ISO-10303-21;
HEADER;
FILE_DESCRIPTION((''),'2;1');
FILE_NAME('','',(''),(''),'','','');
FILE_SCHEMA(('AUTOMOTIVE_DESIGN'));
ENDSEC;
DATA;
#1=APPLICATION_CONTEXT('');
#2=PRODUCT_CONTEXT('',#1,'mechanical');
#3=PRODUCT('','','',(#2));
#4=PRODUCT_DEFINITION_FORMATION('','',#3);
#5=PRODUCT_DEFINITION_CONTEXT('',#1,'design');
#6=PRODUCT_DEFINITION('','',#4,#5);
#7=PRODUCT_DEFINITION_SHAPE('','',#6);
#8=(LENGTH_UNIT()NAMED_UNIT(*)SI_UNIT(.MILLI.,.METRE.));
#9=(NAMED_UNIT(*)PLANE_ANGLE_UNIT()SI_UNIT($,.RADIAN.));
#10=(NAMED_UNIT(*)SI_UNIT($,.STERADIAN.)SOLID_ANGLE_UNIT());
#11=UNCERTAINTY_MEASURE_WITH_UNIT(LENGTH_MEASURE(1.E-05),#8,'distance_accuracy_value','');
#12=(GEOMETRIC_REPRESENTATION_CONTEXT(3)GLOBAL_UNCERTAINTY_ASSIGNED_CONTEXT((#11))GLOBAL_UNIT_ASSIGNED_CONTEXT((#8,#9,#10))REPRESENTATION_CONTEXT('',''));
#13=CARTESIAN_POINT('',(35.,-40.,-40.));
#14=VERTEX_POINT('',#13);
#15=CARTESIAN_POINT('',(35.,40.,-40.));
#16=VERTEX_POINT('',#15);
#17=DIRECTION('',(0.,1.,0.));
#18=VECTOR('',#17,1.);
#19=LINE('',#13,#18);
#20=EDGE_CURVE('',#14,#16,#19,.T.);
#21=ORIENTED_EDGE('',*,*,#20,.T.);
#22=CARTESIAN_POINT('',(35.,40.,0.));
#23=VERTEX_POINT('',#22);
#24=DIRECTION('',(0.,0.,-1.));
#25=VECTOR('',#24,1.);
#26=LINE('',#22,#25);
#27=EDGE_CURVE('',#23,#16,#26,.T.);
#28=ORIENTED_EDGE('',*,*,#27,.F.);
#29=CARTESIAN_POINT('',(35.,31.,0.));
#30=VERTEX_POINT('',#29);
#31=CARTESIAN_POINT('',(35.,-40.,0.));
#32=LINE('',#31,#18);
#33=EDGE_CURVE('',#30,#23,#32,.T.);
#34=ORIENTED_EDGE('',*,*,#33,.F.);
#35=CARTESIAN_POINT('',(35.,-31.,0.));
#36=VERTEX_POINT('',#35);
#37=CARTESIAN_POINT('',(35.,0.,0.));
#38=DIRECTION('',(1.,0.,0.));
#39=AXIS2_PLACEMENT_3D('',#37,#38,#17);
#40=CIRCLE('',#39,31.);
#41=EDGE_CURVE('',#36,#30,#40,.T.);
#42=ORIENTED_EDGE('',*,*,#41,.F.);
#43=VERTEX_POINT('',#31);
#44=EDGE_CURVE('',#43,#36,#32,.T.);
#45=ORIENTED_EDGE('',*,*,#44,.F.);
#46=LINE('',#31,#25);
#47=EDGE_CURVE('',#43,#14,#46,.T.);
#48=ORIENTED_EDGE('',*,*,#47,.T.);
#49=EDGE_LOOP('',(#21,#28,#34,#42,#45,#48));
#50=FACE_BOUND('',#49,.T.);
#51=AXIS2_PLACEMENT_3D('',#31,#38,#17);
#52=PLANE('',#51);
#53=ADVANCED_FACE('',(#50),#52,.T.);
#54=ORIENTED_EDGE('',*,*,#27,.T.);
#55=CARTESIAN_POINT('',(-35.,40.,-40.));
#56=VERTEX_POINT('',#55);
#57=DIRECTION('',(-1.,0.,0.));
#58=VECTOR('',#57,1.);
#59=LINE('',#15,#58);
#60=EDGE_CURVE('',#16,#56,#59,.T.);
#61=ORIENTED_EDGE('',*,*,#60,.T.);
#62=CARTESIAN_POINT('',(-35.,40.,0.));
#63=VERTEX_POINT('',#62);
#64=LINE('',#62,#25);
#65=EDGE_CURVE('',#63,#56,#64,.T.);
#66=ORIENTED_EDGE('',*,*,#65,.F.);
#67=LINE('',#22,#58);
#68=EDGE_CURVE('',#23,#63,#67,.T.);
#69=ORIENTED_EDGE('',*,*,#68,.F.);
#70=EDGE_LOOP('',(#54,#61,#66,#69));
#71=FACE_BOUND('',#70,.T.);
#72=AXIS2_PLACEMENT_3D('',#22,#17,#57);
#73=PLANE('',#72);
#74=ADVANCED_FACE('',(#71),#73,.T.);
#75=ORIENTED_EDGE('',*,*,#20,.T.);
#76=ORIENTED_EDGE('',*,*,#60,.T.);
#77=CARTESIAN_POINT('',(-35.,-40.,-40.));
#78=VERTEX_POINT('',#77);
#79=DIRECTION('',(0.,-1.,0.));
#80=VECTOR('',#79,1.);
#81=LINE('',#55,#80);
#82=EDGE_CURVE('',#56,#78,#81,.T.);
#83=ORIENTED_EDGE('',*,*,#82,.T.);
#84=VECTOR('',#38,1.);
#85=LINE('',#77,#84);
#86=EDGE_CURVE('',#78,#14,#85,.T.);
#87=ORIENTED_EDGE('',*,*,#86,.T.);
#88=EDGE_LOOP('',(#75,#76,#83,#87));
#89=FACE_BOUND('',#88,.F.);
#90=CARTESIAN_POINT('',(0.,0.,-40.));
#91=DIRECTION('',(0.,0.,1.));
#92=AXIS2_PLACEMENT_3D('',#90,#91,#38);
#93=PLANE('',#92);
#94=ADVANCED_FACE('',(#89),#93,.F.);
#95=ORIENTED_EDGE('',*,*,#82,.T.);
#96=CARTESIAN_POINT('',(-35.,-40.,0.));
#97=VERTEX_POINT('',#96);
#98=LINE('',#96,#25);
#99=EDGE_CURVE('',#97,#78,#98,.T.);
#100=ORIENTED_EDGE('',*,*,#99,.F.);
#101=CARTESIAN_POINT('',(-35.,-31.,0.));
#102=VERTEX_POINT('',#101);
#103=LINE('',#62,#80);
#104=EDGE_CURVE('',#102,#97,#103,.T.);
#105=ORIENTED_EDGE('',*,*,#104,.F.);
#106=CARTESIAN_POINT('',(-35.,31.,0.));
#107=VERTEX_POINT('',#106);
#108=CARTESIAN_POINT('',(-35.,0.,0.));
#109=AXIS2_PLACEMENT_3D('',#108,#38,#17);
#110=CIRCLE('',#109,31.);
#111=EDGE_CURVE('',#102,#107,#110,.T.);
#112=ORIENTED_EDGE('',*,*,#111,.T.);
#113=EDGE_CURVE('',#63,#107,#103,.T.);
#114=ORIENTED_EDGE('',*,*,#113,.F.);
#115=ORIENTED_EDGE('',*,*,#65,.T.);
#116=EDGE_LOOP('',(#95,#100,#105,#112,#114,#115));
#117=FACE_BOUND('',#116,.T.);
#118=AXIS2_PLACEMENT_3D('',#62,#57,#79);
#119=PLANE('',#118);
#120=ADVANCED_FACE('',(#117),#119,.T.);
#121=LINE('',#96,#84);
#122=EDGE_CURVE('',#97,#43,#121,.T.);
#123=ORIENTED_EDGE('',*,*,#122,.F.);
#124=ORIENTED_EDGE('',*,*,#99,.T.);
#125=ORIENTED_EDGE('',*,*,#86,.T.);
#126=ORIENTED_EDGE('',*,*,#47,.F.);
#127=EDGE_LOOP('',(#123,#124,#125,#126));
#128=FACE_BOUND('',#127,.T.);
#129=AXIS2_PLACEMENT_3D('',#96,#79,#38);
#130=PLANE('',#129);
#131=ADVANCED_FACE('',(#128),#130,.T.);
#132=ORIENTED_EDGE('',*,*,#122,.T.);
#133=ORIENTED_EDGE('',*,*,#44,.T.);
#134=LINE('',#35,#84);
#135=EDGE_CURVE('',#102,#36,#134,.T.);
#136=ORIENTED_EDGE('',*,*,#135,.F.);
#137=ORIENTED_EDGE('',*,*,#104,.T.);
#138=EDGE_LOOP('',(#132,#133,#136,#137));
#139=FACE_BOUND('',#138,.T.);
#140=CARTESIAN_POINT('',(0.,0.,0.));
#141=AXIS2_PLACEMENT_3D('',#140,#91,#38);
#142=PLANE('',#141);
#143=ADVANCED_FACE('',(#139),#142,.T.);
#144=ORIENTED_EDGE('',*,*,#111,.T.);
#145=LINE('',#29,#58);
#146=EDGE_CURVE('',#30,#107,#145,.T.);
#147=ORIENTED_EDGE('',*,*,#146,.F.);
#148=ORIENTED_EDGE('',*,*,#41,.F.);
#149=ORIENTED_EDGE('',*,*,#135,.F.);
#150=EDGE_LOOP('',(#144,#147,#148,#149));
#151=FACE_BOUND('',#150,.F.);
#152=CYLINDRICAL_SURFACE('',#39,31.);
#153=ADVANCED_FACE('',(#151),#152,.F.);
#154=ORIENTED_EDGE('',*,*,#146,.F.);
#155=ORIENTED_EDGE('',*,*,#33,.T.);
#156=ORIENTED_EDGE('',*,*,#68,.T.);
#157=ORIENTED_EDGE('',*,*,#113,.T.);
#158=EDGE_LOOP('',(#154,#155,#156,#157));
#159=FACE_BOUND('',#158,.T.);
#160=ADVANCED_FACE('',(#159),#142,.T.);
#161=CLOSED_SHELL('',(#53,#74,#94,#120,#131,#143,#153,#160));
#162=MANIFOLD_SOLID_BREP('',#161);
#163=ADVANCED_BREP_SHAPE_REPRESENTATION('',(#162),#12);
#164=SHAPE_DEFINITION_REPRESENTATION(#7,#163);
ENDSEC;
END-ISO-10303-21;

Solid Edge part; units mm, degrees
sketch "Sketch1" plane through (0, 0, 0) normal (0, 0, 1) x (1, 0, 0)
  line L0 (-35, -40) -> (35, -40)
  line L1 (35, -40) -> (35, 40)
  line L2 (35, 40) -> (-35, 40)
  line L3 (-35, 40) -> (-35, -40)
extrude "Protrusion1" add sketch "Sketch1" against normal blind 40
sketch "Sketch2" plane through (35, 0, -20) normal (1, 0, 0) x (0, 1, 0)
  circle A0 centre (0, 20) radius 31
extrude "ExtrudedCutout_1" cut sketch "Sketch2" against normal blind 70
